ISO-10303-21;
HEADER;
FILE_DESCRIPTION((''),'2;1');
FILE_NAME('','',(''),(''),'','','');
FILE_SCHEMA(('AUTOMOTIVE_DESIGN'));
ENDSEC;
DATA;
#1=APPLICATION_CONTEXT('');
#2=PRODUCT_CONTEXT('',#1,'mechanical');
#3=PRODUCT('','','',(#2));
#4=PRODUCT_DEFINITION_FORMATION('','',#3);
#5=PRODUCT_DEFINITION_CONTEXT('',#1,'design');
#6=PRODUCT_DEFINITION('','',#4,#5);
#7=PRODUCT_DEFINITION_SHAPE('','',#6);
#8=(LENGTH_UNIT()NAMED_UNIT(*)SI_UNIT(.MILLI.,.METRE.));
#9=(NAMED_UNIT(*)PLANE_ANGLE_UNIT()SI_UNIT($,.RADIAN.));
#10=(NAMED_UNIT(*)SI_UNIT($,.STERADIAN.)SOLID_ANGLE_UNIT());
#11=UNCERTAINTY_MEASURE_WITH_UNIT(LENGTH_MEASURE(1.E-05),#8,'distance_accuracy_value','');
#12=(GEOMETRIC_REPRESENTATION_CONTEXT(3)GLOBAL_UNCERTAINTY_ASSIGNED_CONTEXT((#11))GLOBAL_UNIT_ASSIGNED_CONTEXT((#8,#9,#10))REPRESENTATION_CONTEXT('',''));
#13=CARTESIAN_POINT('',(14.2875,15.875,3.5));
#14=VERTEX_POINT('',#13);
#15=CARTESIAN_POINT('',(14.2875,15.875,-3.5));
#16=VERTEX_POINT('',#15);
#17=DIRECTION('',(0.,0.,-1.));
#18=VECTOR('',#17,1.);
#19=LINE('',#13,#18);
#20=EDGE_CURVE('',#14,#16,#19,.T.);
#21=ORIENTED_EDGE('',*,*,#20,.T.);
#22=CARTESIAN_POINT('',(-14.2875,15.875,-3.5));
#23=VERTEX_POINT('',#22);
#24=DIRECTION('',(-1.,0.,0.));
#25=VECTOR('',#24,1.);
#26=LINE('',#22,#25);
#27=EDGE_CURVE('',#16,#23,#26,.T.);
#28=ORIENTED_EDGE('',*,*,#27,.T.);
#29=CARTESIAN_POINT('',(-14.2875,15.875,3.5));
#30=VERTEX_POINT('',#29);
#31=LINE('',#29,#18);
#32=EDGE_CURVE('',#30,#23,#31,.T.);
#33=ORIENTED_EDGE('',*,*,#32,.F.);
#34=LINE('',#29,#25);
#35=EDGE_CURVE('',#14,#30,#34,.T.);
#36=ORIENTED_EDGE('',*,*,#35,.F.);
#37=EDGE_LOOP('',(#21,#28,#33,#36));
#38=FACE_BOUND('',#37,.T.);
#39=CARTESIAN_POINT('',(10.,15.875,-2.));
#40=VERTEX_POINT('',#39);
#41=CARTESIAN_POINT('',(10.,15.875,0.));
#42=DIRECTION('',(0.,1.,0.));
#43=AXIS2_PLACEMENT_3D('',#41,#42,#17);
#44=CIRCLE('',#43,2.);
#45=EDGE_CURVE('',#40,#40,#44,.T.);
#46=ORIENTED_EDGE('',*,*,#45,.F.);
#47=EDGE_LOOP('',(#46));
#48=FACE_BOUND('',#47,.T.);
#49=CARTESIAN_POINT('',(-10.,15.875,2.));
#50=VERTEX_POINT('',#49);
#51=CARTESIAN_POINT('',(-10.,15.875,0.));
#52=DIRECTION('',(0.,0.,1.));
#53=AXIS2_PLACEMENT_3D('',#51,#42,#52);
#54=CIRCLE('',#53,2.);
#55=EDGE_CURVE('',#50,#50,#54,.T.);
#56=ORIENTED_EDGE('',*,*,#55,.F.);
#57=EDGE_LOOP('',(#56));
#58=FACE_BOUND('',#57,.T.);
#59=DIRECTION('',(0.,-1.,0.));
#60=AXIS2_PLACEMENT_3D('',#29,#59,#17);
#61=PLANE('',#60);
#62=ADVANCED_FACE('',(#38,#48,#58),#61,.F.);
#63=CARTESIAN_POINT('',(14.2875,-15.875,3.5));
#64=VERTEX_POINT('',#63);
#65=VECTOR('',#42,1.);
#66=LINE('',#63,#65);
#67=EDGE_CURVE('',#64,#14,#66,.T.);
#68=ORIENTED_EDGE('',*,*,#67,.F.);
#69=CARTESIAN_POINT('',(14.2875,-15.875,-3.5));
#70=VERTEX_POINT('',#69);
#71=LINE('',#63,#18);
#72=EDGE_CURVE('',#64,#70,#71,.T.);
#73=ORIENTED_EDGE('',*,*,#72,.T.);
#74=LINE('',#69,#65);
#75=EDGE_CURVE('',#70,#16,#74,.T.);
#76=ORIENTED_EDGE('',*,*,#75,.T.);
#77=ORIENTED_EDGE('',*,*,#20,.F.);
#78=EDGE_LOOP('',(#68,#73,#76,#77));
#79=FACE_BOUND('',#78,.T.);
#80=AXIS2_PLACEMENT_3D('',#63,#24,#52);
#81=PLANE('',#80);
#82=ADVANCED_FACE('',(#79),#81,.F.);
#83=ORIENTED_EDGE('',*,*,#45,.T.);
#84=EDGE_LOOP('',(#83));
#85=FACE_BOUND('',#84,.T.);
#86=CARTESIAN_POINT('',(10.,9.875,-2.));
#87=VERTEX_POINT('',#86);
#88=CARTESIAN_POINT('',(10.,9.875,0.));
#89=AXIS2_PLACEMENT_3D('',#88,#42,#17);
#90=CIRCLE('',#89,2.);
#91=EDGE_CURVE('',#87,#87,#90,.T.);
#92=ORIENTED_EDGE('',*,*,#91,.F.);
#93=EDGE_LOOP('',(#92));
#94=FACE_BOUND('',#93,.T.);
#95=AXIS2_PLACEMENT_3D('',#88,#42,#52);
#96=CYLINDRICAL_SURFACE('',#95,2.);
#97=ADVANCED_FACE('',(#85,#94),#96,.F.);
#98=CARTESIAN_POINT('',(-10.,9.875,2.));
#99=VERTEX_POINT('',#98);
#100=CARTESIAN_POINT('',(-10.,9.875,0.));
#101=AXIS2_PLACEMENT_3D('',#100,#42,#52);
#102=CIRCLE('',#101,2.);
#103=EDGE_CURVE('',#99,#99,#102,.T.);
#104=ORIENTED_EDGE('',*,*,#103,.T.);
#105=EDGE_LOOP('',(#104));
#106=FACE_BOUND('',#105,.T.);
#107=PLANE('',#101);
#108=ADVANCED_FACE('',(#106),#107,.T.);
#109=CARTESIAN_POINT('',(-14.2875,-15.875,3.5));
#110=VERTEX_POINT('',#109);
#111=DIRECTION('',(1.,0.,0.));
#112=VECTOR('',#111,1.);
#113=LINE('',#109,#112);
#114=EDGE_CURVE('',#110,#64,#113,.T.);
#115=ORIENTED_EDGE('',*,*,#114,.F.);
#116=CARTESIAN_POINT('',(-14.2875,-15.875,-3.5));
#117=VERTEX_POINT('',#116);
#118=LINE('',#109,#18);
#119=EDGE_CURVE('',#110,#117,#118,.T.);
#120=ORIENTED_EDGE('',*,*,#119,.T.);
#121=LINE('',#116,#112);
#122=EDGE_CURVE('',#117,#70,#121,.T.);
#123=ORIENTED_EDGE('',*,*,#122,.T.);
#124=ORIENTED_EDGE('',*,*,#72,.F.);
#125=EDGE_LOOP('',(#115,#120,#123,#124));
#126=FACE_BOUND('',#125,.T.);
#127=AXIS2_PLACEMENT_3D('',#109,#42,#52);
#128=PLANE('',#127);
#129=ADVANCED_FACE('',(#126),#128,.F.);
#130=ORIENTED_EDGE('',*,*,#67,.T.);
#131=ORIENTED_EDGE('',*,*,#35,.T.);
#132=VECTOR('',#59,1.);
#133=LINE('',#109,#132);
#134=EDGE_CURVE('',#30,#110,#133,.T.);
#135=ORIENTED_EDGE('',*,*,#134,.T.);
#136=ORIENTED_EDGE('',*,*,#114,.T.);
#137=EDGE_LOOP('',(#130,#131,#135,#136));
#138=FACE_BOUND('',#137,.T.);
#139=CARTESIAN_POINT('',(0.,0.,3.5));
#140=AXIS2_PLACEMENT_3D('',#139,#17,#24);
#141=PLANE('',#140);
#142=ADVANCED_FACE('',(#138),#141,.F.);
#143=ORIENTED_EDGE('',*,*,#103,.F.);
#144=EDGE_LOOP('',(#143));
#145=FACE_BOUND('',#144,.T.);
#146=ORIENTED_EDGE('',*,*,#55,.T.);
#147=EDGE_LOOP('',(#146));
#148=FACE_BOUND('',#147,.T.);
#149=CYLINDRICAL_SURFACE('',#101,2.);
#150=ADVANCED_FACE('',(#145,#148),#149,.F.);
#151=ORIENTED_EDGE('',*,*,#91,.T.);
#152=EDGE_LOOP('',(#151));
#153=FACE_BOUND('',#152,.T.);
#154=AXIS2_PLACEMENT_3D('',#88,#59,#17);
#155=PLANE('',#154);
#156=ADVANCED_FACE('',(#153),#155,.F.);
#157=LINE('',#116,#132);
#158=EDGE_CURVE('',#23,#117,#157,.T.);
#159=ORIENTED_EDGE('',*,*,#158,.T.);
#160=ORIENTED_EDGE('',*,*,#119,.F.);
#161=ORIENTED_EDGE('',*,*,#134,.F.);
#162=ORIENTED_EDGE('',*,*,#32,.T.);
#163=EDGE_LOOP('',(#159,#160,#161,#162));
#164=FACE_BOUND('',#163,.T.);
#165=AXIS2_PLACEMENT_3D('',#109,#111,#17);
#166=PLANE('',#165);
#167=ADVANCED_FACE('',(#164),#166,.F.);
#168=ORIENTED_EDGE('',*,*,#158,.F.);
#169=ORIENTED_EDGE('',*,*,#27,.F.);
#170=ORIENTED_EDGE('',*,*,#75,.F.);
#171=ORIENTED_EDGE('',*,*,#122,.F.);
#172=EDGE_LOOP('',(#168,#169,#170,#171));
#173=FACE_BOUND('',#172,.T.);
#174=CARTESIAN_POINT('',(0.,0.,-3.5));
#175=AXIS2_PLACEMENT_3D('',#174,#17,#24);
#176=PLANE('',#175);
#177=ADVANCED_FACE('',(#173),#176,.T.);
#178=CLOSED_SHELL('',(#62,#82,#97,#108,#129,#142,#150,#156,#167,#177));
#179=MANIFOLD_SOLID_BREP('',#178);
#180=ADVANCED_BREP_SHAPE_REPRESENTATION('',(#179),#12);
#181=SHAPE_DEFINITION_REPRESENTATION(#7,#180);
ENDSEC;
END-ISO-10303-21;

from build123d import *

# Parameters (mm, degrees)
SKETCH1_W           = 28.575
SKETCH1_H           = 31.75
BOSS_EXTRUDE1_DEPTH = 3.5
SKETCH3_R           = 2
CUT_EXTRUDE1_DEPTH  = 6


with BuildPart() as part:
    # Sketch1 → Boss-Extrude1 (new, symmetric)
    with BuildSketch(Plane.XY):
        Rectangle(SKETCH1_W, SKETCH1_H)
    extrude(amount=BOSS_EXTRUDE1_DEPTH, both=True)

    # Sketch3 → Cut-Extrude1 (cut)
    with BuildSketch(Plane(origin=(0, 15.875, 0), x_dir=(1, 0, 0), z_dir=(0, 1, 0))):
        with Locations(Location((-10, 0, 0), (0, 0, 270))):
            Circle(SKETCH3_R)
        with Locations(Location((10, 0, 0), (0, 0, 90))):
            Circle(SKETCH3_R)
    extrude(amount=-CUT_EXTRUDE1_DEPTH, mode=Mode.SUBTRACT)


solid = part.part
